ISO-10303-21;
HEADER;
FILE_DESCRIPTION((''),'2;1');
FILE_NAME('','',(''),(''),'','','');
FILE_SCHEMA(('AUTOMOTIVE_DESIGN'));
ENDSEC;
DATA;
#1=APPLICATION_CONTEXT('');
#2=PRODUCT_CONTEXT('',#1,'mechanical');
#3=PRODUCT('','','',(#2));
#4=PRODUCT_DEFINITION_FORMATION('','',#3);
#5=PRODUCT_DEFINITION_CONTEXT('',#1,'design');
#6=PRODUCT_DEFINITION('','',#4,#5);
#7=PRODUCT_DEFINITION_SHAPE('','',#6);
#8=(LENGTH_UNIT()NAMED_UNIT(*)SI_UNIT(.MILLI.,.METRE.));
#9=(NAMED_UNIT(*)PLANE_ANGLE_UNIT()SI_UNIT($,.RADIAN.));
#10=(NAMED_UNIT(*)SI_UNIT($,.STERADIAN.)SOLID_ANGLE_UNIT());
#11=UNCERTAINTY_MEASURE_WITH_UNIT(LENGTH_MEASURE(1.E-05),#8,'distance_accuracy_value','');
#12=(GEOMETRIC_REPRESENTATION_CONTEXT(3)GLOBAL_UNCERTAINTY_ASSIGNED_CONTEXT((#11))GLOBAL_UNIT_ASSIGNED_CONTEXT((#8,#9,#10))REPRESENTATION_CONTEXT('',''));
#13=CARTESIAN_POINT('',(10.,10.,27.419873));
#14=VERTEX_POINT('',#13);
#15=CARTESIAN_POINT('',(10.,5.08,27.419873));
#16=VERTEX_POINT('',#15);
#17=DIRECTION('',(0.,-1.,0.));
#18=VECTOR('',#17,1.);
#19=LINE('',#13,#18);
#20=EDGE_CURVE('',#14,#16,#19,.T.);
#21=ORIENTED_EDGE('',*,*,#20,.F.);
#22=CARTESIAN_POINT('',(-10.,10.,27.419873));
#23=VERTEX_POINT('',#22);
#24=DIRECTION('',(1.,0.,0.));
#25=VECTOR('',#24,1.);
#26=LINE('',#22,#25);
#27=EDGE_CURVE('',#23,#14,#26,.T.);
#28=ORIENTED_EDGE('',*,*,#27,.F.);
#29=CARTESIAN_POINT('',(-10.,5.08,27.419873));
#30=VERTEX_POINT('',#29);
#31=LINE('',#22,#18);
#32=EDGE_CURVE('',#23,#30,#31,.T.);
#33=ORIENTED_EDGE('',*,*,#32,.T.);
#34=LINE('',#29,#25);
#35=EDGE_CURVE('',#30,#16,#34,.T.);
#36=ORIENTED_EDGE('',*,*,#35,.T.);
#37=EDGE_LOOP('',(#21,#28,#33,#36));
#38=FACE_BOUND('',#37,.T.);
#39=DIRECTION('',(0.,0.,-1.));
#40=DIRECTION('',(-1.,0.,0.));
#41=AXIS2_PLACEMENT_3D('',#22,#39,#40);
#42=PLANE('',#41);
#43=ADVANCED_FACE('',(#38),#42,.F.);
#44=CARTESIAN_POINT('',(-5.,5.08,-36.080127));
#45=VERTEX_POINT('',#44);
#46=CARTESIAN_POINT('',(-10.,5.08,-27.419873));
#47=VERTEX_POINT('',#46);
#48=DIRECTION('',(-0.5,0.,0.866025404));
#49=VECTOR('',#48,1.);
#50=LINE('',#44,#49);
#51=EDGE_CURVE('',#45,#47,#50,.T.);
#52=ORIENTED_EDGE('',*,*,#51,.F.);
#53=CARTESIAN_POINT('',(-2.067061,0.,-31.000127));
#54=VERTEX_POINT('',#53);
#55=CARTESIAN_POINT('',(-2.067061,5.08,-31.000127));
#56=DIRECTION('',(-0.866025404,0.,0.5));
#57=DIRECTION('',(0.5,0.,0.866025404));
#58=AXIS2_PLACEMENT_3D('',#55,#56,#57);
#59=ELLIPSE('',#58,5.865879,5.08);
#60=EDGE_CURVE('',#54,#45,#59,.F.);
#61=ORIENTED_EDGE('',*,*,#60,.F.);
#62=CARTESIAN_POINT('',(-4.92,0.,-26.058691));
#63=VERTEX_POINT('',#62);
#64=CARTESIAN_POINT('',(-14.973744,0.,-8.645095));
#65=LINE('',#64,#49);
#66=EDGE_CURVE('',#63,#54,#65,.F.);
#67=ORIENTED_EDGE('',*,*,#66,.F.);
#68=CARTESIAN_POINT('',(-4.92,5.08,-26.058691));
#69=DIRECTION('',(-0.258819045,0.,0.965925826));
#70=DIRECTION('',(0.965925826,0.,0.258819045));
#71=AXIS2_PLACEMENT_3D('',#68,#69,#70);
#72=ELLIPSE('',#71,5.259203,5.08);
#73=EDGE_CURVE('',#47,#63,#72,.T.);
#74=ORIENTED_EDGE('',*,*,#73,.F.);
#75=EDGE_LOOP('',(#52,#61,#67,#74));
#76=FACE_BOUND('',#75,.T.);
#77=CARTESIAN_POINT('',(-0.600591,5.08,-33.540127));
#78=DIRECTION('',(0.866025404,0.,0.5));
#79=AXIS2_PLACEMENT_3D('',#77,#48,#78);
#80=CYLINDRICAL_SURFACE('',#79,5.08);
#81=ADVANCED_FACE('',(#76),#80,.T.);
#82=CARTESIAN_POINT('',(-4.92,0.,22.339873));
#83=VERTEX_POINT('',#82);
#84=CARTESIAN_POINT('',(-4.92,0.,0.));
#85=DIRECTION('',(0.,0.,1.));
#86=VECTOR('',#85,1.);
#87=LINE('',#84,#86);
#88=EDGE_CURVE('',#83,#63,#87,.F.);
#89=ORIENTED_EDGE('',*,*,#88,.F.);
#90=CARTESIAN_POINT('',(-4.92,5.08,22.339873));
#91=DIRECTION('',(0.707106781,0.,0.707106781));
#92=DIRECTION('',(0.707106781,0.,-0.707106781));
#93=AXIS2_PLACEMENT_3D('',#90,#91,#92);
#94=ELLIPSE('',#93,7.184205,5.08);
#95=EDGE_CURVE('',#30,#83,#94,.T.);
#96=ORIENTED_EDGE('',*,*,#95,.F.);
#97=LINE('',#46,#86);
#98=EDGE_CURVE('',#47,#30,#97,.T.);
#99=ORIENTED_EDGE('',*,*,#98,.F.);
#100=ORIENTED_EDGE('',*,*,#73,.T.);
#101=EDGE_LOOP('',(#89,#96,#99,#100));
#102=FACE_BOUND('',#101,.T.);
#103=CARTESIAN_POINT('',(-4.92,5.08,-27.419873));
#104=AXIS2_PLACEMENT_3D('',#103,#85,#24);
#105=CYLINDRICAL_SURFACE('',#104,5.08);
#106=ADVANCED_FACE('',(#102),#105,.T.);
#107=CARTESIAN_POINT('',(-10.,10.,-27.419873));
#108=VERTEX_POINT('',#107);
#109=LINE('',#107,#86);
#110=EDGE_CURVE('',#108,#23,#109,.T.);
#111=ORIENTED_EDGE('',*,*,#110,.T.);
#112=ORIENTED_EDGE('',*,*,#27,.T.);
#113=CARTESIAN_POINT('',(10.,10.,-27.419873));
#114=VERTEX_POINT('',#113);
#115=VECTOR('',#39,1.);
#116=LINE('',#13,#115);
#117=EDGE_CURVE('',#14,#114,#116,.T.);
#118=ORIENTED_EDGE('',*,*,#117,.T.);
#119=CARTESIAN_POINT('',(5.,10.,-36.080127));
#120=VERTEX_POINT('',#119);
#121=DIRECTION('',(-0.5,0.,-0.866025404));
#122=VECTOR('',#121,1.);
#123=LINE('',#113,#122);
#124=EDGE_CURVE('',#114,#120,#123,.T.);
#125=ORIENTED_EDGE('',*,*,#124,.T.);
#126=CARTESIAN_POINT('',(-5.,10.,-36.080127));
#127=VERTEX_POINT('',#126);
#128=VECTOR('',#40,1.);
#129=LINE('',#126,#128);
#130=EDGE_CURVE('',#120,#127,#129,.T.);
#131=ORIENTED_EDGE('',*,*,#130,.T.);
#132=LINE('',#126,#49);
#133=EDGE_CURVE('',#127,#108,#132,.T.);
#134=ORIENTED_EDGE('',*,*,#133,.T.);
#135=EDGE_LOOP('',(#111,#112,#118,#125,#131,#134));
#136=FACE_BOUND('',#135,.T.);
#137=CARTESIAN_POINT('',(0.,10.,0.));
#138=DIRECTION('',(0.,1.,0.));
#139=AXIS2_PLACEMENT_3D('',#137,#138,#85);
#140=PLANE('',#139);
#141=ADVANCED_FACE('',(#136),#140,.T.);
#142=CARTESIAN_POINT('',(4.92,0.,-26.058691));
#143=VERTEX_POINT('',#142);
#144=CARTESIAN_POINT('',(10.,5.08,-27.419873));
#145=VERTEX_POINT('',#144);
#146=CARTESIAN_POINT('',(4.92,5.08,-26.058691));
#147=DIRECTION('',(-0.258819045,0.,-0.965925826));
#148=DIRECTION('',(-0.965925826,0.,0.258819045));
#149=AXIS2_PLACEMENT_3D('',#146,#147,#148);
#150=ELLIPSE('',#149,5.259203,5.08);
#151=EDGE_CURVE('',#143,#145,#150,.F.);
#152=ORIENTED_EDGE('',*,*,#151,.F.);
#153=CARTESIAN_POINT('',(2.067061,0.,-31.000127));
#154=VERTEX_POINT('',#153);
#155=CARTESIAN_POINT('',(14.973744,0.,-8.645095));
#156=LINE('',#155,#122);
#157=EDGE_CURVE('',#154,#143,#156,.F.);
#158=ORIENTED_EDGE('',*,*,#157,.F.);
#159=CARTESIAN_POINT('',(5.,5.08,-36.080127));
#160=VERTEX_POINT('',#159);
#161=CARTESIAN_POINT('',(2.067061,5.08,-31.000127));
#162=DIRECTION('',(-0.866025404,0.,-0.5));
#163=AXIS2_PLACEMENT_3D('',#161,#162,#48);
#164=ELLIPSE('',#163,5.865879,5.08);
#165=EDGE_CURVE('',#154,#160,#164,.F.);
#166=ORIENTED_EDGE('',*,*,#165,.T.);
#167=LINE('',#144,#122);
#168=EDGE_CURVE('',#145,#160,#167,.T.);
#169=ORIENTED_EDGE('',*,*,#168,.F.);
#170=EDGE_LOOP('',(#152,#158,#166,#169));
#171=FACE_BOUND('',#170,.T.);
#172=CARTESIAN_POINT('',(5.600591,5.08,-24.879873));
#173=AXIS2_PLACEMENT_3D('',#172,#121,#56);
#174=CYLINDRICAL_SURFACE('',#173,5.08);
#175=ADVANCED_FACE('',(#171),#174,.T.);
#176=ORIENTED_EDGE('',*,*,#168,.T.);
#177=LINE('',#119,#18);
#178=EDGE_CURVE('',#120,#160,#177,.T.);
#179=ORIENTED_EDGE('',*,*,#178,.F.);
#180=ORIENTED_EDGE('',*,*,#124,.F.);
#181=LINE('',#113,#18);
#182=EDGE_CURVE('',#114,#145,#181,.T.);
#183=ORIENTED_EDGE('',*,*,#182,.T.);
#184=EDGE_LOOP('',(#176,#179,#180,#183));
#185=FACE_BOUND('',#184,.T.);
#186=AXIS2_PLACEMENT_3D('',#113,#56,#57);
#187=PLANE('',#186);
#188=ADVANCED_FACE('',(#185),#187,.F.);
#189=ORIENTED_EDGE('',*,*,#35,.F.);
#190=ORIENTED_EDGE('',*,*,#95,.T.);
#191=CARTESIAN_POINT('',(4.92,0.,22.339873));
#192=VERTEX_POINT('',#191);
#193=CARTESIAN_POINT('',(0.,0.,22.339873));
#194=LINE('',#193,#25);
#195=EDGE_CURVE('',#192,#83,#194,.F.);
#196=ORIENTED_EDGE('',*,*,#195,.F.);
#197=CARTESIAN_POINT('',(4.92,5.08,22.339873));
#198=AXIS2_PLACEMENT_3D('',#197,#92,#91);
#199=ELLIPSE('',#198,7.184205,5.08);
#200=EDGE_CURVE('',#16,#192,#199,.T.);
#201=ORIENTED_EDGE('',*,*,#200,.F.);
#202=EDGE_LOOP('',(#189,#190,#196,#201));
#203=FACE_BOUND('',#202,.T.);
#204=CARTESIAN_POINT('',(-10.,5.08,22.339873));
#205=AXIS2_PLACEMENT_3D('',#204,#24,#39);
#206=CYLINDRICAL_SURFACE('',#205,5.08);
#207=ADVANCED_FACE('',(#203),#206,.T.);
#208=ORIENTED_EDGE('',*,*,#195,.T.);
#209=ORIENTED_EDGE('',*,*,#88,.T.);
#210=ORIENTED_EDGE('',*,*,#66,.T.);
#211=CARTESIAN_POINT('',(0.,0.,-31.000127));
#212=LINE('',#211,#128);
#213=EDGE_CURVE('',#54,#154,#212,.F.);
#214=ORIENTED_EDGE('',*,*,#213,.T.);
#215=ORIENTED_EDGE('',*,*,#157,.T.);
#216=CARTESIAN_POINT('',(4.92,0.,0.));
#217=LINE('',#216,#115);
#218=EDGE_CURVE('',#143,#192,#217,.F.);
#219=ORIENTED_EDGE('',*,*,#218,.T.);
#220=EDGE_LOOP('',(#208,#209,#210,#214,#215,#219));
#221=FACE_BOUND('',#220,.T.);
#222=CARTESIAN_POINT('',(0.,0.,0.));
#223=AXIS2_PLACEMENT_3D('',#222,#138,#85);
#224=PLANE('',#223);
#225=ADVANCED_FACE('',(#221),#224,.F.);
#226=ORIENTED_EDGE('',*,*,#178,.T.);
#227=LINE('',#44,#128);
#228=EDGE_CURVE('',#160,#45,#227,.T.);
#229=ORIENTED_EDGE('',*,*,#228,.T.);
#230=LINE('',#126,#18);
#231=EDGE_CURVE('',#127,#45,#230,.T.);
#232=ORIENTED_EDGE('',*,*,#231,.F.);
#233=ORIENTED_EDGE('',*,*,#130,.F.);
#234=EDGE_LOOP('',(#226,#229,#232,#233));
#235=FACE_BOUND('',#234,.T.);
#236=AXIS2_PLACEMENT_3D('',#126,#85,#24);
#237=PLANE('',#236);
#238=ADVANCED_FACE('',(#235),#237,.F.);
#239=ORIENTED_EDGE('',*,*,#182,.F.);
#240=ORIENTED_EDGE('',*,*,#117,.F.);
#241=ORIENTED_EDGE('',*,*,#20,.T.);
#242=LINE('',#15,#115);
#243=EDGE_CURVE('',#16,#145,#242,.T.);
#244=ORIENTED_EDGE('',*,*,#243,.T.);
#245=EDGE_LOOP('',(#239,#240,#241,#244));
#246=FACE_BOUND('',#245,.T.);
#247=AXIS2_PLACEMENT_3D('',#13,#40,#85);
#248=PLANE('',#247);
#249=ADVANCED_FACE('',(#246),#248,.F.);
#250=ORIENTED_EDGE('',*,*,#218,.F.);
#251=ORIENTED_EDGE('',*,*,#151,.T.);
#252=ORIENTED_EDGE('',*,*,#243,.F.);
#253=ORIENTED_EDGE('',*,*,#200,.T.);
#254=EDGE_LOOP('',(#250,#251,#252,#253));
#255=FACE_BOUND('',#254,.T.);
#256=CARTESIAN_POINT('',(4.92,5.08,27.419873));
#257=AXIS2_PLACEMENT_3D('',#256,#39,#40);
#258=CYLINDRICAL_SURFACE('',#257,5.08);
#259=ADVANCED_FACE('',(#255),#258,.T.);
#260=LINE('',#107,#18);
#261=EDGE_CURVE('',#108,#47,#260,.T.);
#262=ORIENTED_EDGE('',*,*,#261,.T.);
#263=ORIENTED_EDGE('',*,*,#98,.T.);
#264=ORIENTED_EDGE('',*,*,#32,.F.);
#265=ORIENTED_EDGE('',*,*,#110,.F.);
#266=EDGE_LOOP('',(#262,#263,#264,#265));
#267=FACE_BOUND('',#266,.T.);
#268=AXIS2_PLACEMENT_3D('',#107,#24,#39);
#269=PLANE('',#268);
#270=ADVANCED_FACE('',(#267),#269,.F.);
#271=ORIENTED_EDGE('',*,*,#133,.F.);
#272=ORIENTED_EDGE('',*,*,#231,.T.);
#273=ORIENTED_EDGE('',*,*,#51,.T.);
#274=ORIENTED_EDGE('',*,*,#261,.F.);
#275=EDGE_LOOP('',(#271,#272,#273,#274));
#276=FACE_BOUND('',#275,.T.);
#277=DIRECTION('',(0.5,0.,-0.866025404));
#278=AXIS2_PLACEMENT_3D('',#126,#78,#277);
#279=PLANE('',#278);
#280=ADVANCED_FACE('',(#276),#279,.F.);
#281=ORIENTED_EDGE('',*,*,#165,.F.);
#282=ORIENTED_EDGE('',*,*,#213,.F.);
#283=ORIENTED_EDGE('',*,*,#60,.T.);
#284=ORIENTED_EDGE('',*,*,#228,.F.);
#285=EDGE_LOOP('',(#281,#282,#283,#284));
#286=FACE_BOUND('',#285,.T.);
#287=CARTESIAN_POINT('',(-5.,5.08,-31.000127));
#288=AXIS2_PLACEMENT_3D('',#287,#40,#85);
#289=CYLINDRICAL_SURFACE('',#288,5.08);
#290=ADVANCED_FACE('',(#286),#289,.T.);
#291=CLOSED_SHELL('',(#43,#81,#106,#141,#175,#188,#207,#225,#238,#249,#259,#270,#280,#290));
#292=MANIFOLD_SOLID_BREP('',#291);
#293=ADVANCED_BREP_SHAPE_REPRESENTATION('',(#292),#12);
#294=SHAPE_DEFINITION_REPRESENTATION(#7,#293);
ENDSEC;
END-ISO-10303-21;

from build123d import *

# Parameters (mm, degrees)
BOSS_EXTRUDE1_DEPTH = 10
FILLET1_R           = 5.08


with BuildPart() as part:
    # Sketch1 → Boss-Extrude1 (new body)
    with BuildSketch(Plane(origin=(0, 0, 0), x_dir=(1, 0, 0), z_dir=(0, 1, 0))):
        Polygon((10, -27.419872981), (10, 27.419872981), (5, 36.080127019), (-5, 36.080127019), (-10, 27.419872981), (-10, -27.419872981), align=None)
    extrude(amount=BOSS_EXTRUDE1_DEPTH)

    # Fillet1
    fillet1_edges = [part.edges().sort_by_distance(p)[0] for p in [
        (-10, 0, 0),
        (-7.5, 0, -31.75),
        (0, 0, -36.080127019),
        (7.5, 0, -31.75),
        (10, 0, 0),
        (0, 0, 27.419872981),
    ]]
    fillet(fillet1_edges, radius=FILLET1_R)


solid = part.part
